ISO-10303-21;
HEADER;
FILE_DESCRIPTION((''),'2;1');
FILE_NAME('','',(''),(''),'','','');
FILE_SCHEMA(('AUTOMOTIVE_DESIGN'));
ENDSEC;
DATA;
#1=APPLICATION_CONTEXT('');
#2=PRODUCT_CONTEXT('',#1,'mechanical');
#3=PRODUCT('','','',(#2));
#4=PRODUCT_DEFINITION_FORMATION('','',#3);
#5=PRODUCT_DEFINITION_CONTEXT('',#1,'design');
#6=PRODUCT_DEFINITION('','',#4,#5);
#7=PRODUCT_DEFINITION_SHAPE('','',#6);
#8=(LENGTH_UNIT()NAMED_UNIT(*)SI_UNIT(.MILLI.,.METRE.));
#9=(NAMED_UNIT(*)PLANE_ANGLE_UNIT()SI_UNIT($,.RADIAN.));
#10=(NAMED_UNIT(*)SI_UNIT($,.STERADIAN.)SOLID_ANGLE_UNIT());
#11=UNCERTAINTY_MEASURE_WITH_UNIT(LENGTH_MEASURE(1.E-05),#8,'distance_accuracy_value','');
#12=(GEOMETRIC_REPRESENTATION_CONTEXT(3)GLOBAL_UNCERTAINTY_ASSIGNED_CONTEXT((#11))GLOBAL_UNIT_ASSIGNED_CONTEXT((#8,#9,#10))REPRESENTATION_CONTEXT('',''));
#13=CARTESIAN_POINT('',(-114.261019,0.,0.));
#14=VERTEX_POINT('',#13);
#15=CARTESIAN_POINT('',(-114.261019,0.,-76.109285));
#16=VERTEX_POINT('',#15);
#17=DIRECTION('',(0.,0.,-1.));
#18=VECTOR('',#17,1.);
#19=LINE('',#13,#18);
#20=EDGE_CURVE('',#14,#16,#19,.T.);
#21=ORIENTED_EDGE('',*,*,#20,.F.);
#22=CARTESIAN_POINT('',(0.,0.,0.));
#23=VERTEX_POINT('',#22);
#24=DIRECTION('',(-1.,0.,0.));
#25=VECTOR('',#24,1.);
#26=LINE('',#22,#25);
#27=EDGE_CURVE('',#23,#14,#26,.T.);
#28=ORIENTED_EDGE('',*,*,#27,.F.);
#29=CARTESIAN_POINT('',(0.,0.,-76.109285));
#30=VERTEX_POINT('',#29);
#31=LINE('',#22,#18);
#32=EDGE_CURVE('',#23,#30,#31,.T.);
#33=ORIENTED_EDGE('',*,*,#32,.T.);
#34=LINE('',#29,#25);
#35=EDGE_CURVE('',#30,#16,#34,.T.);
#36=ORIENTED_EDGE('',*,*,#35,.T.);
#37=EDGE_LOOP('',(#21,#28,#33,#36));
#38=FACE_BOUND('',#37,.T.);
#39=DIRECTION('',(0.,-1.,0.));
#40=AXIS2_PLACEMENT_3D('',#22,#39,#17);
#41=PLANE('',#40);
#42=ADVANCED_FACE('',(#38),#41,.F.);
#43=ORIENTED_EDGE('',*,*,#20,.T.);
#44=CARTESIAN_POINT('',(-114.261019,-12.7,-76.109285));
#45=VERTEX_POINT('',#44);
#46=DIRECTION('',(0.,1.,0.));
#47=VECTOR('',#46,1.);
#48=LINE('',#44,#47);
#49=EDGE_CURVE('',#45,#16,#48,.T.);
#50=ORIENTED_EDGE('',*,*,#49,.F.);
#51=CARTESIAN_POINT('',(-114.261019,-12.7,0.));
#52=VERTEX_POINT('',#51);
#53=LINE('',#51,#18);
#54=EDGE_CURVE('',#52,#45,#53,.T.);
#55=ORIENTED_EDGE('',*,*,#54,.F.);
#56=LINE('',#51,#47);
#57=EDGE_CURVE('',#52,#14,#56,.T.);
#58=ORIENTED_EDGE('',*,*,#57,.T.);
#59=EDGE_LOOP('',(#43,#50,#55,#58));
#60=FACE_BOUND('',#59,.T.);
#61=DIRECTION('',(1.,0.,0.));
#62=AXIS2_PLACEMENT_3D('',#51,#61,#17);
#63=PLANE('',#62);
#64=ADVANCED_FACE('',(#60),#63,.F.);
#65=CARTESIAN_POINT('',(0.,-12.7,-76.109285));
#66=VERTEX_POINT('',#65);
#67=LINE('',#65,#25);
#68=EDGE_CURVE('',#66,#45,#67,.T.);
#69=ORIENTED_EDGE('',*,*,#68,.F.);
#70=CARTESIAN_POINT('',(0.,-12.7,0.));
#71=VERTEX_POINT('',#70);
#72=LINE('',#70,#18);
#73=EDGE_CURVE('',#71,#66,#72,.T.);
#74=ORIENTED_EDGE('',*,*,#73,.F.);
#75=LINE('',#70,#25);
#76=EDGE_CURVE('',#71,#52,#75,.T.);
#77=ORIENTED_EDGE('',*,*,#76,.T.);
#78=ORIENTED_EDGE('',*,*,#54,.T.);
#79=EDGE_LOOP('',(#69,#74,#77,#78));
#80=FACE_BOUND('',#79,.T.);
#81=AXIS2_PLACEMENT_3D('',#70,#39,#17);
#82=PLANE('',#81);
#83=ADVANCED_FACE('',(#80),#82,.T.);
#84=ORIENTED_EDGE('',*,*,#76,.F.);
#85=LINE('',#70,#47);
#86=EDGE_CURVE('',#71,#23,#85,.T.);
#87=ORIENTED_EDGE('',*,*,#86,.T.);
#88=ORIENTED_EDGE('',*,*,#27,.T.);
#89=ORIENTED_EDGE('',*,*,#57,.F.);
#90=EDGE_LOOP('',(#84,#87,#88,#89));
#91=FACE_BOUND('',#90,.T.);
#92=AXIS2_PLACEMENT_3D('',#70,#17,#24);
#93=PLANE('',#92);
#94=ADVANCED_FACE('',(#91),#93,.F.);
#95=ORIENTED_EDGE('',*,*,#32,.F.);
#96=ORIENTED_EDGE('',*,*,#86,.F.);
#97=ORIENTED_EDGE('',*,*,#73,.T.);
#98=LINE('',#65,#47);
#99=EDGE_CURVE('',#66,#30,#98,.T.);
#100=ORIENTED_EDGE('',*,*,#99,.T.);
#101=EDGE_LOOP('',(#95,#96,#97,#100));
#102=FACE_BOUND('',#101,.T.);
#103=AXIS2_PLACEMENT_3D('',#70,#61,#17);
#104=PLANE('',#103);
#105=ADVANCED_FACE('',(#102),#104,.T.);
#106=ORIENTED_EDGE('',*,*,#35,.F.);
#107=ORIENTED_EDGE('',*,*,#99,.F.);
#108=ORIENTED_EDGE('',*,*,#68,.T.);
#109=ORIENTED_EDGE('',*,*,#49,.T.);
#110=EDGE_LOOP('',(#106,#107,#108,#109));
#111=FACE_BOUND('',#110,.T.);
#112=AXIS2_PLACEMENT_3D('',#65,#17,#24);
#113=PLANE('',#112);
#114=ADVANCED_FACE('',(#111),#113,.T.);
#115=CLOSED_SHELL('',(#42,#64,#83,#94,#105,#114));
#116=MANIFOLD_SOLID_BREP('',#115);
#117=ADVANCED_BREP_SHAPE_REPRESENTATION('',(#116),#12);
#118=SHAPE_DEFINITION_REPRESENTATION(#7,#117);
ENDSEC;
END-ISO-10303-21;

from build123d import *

# Parameters (mm, degrees)
SKETCH1_W           = 114.261019043
SKETCH1_H           = 76.109285411
BOSS_EXTRUDE1_DEPTH = 12.7


with BuildPart() as part:
    # Sketch1 → Boss-Extrude1 (new body)
    with BuildSketch(Plane(origin=(0, 0, 0), x_dir=(1, 0, 0), z_dir=(0, 1, 0))):
        with Locations((-57.130509522, 38.054642706)):
            Rectangle(SKETCH1_W, SKETCH1_H)
    extrude(amount=-BOSS_EXTRUDE1_DEPTH)


solid = part.part
